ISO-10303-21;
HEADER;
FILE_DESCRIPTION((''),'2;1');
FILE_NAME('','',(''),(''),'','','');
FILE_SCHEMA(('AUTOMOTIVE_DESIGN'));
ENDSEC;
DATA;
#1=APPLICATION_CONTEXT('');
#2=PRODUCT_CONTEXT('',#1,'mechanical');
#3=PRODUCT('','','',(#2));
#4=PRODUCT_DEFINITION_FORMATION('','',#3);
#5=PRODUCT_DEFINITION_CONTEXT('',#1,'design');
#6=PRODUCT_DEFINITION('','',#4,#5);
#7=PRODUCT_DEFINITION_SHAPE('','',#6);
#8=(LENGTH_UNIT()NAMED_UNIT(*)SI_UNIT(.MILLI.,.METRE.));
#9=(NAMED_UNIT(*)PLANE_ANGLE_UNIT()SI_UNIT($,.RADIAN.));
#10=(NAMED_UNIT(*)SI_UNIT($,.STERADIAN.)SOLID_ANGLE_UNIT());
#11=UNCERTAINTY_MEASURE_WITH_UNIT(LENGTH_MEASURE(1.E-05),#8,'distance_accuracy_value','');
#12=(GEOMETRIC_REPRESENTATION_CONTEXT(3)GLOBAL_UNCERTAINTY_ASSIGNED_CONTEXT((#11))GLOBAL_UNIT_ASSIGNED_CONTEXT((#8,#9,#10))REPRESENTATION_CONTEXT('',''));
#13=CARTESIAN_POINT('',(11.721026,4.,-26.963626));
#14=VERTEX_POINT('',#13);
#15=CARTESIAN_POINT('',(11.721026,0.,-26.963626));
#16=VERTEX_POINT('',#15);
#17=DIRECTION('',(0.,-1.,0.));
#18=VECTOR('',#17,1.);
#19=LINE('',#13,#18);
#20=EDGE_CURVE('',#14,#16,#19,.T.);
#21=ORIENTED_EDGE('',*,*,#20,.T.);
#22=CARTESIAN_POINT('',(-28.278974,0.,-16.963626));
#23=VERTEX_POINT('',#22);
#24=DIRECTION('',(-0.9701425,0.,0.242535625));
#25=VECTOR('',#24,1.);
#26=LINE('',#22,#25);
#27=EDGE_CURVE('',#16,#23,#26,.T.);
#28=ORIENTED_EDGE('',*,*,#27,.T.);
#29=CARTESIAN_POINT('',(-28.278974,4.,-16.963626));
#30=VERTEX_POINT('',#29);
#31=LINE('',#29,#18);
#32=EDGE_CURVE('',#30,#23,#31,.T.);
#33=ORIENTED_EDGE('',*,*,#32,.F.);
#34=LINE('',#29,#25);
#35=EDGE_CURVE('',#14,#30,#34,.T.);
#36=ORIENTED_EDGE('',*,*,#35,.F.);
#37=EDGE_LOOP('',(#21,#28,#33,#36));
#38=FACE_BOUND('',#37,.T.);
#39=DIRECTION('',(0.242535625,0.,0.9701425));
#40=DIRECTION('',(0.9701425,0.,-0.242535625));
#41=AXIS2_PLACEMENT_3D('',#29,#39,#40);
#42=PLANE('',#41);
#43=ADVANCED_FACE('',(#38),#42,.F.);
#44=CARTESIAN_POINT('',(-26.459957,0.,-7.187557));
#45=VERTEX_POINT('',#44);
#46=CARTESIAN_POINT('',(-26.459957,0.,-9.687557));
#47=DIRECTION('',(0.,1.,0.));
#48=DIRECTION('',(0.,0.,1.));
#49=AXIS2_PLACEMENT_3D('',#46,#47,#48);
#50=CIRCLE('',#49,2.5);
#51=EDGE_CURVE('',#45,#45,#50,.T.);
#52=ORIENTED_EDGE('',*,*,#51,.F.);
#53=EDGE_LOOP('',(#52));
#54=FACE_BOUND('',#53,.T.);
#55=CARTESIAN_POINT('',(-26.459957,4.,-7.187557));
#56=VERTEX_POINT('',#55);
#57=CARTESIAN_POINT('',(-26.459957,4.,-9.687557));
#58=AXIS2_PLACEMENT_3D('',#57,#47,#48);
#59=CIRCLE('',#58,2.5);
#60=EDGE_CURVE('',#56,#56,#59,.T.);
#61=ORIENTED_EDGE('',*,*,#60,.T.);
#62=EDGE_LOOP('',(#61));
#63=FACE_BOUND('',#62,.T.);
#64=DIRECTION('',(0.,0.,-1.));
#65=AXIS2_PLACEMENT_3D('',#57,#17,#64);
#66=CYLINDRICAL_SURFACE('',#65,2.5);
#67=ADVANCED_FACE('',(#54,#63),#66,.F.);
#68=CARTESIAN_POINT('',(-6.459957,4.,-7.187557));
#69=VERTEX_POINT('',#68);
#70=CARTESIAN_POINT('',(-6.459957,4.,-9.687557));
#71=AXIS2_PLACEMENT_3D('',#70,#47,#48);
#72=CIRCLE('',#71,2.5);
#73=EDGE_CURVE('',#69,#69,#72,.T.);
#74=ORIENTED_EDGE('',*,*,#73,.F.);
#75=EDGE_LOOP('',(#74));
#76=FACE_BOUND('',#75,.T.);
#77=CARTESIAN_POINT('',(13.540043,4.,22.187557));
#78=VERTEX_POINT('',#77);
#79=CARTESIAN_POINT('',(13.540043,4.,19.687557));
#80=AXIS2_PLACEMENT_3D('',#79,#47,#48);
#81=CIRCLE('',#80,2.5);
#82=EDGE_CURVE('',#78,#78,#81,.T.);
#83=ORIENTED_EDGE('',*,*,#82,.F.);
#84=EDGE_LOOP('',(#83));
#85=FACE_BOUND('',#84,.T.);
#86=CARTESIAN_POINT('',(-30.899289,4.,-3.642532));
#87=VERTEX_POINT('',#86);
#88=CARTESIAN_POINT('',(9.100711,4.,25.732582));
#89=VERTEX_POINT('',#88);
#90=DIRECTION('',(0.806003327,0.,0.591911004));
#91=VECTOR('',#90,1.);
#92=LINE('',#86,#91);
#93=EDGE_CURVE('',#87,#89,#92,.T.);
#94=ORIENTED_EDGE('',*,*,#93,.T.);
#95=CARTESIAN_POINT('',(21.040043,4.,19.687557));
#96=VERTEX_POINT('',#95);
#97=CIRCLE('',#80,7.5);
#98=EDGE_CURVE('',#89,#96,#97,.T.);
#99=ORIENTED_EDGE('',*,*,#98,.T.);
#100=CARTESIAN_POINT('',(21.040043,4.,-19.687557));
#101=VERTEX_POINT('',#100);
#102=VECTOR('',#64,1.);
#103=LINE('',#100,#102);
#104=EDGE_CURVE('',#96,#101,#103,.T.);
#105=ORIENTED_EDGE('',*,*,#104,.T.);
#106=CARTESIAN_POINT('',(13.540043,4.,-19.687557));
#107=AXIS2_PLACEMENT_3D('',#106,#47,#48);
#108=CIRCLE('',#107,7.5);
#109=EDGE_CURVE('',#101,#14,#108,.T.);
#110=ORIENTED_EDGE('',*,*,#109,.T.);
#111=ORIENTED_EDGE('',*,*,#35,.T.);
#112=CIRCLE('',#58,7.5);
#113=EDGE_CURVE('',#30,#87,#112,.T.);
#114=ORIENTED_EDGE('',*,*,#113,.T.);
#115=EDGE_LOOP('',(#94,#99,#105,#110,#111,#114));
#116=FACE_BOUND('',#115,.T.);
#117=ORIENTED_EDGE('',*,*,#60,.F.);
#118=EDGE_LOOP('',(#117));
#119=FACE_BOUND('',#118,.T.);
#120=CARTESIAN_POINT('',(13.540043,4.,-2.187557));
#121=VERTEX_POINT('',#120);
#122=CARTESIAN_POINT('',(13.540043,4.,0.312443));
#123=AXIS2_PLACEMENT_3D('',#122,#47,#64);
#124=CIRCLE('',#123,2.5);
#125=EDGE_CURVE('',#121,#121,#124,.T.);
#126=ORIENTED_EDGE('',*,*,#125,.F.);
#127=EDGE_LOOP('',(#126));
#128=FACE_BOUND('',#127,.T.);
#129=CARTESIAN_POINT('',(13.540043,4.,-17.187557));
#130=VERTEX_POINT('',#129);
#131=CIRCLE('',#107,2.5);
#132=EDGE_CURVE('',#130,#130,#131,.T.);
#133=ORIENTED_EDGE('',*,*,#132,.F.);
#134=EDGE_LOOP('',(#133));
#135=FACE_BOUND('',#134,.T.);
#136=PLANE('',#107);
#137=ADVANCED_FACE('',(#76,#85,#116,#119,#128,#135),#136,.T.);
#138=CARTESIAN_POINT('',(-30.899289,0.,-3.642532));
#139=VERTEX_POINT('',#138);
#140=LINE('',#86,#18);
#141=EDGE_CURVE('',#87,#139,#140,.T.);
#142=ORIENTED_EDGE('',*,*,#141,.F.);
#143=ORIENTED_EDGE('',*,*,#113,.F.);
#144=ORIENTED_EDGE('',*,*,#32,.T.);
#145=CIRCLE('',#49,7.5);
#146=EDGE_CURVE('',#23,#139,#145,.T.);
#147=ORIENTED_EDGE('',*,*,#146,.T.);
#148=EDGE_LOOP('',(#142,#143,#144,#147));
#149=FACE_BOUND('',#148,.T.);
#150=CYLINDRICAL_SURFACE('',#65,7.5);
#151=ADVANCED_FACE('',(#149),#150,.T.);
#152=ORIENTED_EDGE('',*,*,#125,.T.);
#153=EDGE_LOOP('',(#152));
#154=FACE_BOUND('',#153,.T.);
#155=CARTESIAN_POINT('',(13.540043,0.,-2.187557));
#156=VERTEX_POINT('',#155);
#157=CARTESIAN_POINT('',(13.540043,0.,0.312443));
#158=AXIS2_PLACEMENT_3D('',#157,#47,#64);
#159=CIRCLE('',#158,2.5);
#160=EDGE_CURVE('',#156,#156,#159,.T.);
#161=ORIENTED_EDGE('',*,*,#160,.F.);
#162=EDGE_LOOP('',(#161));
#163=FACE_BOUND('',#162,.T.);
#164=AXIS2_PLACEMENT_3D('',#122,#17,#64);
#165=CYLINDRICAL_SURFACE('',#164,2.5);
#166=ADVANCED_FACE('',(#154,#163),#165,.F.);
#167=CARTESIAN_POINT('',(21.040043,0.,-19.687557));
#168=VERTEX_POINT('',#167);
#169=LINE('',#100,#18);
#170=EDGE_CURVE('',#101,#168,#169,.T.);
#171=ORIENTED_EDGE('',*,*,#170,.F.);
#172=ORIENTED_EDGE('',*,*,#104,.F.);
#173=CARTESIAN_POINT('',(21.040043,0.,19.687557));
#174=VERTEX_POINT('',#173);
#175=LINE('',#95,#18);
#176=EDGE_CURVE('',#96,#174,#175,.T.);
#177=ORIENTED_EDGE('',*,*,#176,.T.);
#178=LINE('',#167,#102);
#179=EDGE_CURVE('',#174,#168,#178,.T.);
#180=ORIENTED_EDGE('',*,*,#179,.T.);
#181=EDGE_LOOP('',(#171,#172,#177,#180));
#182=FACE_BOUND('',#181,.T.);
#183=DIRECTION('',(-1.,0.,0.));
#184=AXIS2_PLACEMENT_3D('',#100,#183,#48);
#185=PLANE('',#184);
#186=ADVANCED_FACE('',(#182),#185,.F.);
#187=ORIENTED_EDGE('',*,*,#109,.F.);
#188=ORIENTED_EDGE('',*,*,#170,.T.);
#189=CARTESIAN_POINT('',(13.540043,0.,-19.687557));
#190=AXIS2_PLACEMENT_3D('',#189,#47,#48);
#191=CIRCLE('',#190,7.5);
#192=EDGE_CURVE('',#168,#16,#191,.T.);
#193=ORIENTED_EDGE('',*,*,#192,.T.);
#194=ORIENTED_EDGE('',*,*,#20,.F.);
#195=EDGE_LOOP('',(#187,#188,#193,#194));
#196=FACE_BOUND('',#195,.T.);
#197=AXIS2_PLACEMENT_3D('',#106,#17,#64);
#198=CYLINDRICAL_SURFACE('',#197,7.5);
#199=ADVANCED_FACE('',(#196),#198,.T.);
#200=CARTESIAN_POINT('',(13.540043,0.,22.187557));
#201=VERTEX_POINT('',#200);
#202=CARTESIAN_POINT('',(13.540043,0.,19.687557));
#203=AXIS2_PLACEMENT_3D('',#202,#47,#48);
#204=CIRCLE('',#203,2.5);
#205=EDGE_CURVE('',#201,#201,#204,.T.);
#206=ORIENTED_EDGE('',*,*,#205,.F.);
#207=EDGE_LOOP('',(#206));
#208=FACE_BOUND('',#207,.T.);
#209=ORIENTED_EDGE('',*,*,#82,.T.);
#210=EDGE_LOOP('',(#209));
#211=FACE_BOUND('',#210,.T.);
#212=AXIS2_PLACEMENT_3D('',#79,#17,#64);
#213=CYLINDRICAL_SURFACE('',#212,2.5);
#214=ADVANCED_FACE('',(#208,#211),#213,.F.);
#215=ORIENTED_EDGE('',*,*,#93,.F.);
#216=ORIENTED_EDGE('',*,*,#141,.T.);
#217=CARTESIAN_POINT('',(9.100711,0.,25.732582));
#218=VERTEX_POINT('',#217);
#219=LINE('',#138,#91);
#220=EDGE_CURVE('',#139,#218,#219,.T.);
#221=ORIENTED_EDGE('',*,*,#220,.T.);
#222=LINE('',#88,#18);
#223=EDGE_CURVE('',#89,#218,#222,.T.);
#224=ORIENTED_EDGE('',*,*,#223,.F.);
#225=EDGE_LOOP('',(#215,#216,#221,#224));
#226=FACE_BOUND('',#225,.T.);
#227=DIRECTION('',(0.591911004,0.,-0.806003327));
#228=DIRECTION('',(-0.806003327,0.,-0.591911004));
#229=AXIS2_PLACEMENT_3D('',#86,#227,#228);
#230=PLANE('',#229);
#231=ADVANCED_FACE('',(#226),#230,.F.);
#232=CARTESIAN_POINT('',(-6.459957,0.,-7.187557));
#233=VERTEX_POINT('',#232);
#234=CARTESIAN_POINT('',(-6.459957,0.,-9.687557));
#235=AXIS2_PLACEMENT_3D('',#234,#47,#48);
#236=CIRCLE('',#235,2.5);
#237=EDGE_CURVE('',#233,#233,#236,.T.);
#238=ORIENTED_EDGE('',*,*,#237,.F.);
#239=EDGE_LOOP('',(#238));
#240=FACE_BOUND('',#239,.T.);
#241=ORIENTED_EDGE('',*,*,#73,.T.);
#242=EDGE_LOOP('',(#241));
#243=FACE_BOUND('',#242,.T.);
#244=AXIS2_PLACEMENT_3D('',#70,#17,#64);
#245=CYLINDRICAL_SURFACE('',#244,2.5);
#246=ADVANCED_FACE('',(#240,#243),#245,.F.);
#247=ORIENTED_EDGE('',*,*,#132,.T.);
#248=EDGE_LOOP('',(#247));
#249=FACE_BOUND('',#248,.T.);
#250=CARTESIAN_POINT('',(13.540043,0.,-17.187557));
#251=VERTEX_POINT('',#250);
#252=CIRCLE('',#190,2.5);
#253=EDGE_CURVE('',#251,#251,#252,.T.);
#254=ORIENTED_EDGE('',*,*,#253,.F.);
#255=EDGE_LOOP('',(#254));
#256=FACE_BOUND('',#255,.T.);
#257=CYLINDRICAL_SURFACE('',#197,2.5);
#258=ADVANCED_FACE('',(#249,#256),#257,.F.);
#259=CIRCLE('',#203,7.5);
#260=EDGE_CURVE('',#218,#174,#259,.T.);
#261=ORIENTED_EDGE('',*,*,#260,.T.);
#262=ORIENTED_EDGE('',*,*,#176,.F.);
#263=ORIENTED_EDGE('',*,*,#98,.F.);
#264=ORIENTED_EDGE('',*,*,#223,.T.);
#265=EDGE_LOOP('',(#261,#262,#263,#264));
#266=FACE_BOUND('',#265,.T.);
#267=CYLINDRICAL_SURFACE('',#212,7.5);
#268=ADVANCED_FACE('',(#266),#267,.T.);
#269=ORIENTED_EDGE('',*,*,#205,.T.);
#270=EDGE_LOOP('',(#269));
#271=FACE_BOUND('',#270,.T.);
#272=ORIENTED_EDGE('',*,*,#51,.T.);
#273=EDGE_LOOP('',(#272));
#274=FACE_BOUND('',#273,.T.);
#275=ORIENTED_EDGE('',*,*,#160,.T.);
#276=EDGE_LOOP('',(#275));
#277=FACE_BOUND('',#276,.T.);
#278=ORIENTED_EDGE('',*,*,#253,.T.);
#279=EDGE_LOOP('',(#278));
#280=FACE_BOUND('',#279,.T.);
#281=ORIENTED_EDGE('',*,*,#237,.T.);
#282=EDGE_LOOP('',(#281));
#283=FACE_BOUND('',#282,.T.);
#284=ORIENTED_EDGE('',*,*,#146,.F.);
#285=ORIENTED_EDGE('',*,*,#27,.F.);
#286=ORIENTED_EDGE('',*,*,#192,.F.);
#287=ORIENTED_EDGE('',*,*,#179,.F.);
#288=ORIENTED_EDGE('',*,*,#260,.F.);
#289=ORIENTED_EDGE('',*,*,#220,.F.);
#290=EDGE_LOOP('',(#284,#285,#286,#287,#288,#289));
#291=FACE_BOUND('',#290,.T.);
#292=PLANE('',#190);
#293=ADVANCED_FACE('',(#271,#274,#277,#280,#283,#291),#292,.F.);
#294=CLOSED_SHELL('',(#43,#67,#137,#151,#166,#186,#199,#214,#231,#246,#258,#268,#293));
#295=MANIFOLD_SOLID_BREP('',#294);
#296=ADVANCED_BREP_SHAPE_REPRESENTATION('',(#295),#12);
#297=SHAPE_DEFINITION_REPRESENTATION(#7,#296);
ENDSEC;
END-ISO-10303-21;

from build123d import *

# Parameters (mm, degrees)
SKETCH1_R           = 2.5
BOSS_EXTRUDE1_DEPTH = 4


with BuildPart() as part:
    # Sketch1 → Boss-Extrude1 (new body)
    with BuildSketch(Plane(origin=(0, 0, 0), x_dir=(1, 0, 0), z_dir=(0, 1, 0))):
        with BuildLine():
            Line((-28.278974074, 16.963626091), (11.721025926, 26.963626091))
            ThreePointArc((11.721025926, 26.963626091), (18.155634684, 25.599098125), (21.040043114, 19.687557339))
            Line((21.040043114, 19.687557339), (21.040043114, -19.687557339))
            ThreePointArc((21.040043114, -19.687557339), (16.927889481, -26.378782712), (9.100710583, -25.732582292))
            Line((9.100710583, -25.732582292), (-30.899289417, 3.642532387))
            ThreePointArc((-30.899289417, 3.642532387), (-33.81893913, 11.1351002), (-28.278974074, 16.963626091))
        make_face()
        with Locations(Location((-26.459956886, 9.687557339, 0), (0, 0, 270))):
            Circle(SKETCH1_R, mode=Mode.SUBTRACT)
        with Locations(Location((-6.459956886, 9.687557339, 0), (0, 0, 270))):
            Circle(SKETCH1_R, mode=Mode.SUBTRACT)
        with Locations(Location((13.540043114, 19.687557339, 0), (0, 0, 270))):
            Circle(SKETCH1_R, mode=Mode.SUBTRACT)
        with Locations(Location((13.540043114, -0.312442661, 0), (0, 0, 90))):
            Circle(SKETCH1_R, mode=Mode.SUBTRACT)
        with Locations(Location((13.540043114, -19.687557339, 0), (0, 0, 270))):
            Circle(SKETCH1_R, mode=Mode.SUBTRACT)
    extrude(amount=BOSS_EXTRUDE1_DEPTH)


solid = part.part
